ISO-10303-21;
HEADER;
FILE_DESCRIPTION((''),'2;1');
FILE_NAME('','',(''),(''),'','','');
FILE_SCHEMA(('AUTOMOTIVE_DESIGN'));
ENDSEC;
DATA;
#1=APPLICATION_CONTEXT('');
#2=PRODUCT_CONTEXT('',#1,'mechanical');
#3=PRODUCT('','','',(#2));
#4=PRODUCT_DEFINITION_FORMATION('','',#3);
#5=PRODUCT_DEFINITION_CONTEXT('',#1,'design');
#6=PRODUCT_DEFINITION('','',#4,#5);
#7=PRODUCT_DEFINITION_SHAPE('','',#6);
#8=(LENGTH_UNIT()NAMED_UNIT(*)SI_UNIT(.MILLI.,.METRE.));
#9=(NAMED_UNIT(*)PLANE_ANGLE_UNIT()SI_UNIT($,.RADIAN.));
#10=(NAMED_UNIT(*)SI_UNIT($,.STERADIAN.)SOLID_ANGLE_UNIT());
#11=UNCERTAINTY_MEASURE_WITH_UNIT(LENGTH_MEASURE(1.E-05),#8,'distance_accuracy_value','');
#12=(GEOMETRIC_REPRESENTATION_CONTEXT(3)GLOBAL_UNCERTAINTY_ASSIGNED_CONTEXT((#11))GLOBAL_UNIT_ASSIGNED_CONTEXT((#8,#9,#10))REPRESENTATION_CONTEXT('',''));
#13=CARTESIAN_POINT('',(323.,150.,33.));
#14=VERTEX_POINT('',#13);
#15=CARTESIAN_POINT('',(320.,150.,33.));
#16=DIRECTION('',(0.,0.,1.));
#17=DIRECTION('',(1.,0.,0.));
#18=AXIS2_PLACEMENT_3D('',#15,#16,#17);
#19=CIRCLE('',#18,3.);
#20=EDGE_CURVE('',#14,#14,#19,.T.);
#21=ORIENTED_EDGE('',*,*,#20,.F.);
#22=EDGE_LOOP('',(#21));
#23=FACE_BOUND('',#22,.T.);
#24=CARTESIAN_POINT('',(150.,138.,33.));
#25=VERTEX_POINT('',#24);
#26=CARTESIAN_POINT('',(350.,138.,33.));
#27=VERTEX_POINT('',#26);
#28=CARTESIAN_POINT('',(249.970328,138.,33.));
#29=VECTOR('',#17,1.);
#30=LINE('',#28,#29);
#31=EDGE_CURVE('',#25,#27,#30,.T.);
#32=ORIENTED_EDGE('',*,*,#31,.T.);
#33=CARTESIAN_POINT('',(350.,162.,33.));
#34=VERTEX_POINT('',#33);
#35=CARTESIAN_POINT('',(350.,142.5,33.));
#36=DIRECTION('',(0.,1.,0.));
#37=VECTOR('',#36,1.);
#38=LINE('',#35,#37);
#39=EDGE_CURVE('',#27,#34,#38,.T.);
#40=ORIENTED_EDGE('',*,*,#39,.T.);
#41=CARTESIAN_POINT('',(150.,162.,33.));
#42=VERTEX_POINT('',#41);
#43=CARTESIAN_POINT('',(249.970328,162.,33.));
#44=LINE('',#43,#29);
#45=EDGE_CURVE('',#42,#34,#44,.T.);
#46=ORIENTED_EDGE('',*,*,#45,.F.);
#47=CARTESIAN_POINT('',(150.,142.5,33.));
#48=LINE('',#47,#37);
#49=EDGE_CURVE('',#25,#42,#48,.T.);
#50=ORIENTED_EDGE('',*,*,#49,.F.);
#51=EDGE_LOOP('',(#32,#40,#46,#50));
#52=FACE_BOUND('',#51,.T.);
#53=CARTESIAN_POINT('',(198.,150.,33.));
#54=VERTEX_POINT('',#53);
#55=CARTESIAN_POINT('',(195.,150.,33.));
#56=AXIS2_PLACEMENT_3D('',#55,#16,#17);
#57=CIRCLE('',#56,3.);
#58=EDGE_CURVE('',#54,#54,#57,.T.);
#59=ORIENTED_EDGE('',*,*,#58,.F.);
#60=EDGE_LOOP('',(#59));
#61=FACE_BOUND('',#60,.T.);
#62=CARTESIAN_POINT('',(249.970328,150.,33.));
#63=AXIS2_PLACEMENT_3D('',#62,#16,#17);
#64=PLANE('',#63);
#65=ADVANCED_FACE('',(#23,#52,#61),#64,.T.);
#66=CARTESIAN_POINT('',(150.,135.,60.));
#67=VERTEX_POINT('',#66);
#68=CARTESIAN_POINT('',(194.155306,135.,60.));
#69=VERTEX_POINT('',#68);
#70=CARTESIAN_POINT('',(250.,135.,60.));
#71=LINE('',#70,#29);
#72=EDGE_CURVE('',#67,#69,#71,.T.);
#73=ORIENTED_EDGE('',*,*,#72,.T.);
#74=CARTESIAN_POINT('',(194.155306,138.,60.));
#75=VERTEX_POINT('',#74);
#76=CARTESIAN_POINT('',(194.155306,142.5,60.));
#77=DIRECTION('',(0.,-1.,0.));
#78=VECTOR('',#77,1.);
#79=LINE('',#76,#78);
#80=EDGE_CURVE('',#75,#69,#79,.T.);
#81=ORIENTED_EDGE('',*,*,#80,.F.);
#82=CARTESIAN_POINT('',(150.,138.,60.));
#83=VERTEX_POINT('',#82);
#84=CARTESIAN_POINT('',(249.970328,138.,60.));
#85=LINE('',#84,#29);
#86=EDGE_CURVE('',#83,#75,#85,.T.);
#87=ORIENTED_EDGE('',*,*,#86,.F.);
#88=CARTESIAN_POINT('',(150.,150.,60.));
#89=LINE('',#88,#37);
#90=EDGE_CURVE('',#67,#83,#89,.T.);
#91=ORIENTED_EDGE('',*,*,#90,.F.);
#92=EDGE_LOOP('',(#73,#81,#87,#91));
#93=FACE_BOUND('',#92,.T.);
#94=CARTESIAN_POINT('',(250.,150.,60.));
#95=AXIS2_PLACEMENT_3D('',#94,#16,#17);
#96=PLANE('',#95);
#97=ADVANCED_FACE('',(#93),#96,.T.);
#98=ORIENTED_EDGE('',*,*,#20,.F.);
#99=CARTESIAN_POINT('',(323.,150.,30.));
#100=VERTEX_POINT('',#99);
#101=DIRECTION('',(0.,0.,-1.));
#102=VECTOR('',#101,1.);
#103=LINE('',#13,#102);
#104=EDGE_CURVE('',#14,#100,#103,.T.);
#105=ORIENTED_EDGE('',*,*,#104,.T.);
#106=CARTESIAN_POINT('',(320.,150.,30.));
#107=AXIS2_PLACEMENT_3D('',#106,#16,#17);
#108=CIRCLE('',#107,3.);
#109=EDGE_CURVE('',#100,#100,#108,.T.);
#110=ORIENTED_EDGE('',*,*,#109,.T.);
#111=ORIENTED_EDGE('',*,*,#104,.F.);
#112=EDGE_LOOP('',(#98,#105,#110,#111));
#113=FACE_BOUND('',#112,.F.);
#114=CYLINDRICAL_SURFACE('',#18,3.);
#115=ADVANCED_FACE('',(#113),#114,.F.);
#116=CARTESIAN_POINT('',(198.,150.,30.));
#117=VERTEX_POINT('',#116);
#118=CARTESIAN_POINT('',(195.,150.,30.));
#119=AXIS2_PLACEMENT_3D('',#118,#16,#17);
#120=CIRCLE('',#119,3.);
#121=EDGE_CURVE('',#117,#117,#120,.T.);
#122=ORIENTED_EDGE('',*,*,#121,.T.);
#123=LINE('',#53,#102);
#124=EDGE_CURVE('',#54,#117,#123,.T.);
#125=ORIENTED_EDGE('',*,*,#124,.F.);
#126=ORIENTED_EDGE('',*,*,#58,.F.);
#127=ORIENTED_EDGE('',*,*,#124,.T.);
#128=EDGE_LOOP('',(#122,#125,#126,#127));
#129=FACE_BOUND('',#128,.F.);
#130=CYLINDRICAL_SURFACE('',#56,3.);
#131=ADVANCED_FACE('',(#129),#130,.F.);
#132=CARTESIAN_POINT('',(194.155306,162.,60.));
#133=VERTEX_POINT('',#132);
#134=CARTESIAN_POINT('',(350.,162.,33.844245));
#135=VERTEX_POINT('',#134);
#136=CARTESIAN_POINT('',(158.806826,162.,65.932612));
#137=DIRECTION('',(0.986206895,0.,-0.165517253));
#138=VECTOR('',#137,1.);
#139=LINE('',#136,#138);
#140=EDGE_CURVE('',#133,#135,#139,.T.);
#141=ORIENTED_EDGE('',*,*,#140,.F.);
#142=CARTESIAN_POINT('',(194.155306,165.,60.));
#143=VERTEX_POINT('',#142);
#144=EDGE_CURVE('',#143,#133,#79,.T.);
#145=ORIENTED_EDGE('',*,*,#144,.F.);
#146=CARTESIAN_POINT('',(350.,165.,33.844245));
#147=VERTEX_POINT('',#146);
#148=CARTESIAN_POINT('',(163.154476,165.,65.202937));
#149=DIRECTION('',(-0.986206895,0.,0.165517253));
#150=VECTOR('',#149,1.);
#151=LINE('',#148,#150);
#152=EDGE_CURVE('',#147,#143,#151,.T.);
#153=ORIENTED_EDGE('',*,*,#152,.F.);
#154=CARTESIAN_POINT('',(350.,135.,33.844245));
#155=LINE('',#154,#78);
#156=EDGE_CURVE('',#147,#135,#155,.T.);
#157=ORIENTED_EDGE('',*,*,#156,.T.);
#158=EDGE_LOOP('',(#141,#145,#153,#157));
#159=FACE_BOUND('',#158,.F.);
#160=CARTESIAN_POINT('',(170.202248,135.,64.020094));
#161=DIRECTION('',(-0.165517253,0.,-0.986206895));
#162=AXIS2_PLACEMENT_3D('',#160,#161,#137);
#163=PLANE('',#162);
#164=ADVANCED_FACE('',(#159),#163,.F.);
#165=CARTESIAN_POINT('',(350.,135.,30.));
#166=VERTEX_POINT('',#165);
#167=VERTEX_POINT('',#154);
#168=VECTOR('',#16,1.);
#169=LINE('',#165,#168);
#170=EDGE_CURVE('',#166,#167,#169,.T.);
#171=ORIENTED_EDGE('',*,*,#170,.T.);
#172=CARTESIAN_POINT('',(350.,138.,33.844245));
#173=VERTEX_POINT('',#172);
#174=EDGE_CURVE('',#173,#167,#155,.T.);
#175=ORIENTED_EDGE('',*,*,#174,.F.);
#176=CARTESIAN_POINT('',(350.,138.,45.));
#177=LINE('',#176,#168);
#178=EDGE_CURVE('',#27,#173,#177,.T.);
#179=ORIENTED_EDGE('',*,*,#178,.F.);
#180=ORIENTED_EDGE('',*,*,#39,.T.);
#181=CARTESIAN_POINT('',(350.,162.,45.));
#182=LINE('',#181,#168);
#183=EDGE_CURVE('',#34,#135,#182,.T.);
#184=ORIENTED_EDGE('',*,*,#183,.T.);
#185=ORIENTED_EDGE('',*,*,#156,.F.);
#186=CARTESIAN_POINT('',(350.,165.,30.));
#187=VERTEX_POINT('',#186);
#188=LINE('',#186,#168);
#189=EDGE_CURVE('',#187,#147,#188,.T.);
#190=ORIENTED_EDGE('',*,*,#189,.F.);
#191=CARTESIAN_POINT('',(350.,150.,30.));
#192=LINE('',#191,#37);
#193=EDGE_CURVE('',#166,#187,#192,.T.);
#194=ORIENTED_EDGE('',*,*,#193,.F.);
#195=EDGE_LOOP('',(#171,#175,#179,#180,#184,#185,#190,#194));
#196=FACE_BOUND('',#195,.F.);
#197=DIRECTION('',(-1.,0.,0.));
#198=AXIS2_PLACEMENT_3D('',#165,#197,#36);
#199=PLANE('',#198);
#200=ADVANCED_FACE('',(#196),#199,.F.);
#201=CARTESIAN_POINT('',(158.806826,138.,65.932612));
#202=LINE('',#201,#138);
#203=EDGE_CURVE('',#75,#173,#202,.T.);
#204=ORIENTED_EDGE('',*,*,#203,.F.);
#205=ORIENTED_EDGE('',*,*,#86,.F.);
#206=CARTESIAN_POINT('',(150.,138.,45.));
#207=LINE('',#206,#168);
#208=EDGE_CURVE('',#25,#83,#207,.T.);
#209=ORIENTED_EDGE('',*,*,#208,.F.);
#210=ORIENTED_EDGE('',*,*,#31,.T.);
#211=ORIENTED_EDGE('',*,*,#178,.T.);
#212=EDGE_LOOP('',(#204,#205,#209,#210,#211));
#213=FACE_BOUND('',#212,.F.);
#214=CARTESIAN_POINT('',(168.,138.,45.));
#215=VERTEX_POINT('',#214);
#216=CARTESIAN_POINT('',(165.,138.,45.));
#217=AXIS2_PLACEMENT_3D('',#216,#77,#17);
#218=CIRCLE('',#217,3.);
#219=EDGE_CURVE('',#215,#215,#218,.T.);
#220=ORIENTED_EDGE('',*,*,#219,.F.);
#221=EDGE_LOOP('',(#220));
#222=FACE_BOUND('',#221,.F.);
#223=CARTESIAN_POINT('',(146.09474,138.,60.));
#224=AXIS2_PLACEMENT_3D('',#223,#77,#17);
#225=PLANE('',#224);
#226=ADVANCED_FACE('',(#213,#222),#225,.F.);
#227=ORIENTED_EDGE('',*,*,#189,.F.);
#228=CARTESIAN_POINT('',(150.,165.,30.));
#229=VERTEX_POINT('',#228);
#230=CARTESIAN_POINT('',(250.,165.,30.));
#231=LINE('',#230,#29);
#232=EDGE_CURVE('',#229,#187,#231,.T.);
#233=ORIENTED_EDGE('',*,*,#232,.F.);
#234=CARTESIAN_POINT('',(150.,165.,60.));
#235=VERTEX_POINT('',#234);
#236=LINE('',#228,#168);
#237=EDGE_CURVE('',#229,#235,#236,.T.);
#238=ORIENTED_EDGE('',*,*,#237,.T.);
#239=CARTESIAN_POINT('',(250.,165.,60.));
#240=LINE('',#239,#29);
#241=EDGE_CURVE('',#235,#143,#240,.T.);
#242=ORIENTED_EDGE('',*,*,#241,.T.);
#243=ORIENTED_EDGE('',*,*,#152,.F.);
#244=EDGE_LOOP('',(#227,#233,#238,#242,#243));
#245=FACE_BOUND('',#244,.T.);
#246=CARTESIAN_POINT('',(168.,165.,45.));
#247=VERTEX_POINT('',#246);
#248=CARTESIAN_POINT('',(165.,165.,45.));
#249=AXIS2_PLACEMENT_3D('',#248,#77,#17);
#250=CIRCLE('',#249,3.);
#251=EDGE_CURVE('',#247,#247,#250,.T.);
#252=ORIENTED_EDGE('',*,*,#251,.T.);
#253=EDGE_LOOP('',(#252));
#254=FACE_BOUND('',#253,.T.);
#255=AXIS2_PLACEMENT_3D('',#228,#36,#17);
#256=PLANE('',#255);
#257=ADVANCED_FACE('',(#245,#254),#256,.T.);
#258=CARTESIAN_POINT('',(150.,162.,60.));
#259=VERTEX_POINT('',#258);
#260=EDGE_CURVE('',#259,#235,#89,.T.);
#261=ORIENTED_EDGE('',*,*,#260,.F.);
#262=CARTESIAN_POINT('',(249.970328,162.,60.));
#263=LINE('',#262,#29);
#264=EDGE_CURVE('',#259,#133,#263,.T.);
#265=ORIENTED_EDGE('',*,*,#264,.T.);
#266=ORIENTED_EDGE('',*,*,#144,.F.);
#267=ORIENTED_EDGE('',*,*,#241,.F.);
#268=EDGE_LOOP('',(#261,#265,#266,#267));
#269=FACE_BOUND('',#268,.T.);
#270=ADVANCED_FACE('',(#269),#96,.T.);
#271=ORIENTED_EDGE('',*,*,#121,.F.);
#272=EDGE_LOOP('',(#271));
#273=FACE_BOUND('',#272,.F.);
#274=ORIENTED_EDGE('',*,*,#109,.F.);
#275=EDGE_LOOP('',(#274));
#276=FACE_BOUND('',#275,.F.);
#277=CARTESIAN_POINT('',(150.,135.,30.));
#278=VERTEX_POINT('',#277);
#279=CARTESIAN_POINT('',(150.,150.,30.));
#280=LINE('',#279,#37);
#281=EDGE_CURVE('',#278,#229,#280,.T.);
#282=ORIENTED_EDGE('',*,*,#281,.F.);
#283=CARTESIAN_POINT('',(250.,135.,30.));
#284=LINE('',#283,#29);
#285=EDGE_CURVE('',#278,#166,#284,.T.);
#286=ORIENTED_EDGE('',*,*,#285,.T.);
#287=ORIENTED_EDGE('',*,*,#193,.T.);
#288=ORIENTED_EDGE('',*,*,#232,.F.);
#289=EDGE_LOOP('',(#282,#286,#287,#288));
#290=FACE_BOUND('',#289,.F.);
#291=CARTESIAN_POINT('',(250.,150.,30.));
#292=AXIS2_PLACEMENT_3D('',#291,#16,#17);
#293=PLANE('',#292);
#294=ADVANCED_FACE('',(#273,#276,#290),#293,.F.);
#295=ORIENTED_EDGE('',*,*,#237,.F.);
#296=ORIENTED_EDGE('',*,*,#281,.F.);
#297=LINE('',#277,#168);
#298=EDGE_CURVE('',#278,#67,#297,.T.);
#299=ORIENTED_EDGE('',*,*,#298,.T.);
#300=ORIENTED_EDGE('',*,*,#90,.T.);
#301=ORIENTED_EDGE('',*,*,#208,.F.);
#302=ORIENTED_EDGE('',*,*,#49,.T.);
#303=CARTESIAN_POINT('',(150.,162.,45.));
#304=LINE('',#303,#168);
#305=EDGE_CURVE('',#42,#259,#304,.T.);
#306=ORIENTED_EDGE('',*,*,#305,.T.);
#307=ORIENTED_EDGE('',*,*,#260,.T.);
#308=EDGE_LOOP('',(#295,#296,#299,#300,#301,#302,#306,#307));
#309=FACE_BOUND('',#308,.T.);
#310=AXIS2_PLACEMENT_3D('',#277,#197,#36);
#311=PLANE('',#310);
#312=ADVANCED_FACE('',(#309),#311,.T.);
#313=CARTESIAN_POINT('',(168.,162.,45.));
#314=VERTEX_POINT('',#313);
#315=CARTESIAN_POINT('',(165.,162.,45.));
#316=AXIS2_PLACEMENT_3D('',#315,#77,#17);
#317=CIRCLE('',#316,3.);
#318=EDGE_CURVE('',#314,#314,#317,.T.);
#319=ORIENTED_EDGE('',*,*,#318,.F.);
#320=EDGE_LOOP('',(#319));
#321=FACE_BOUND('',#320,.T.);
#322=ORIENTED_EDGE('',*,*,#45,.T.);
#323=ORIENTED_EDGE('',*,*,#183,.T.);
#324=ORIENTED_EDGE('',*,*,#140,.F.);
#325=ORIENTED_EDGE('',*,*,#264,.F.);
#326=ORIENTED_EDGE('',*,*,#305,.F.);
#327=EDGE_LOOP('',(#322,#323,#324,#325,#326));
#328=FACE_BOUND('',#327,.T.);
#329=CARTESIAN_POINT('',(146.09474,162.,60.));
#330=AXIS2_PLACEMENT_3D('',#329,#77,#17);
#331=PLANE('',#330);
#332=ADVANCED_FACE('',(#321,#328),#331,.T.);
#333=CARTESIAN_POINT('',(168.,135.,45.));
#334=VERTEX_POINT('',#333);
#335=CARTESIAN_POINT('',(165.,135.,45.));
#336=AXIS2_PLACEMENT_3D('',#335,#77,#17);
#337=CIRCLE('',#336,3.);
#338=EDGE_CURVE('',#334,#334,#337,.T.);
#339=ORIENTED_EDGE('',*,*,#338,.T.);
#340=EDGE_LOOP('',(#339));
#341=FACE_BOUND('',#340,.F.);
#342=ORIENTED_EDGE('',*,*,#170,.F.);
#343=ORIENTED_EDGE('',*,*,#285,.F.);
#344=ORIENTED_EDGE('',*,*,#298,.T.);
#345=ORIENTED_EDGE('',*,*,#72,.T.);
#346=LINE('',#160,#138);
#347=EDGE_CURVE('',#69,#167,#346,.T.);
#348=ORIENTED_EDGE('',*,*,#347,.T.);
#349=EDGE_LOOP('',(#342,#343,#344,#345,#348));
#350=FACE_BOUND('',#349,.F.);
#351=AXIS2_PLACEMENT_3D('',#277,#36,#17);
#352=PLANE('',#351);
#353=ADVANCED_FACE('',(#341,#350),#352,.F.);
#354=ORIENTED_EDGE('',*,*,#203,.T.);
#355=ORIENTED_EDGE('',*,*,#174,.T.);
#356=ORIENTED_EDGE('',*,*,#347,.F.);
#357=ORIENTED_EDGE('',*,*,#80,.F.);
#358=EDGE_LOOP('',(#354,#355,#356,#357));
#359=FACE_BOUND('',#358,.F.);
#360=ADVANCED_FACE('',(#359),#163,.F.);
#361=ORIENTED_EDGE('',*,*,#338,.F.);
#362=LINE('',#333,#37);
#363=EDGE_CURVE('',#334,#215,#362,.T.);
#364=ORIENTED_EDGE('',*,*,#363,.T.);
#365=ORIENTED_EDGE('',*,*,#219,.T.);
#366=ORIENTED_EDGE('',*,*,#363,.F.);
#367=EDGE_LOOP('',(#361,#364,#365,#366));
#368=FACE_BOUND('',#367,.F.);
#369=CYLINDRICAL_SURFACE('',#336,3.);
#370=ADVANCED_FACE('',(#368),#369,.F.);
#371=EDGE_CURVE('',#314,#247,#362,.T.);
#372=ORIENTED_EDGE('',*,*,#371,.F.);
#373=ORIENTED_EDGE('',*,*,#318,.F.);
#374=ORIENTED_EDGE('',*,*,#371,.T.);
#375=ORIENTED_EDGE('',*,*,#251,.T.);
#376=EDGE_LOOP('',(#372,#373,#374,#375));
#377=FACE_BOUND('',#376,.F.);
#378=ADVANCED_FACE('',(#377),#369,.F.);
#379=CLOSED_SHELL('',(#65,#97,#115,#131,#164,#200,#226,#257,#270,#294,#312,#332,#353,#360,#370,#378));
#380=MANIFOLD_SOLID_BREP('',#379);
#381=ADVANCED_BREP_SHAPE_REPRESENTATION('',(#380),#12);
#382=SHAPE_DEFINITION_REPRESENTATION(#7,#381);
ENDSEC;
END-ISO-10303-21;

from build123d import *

# Parameters (mm, degrees)
BOX001_W        = 200
BOX001_H        = 30
BOX001_DEPTH    = 30
SKETCH003_W     = 207.751177
SKETCH003_H     = 24
POCKET005_DEPTH = 27
POCKET001_DEPTH = 50
SKETCH006_R     = 3
POCKET003_DEPTH = 50
SKETCH004_R     = 3
POCKET004_DEPTH = 5


with BuildPart() as part:
    # Box001 → Box001 (join)
    with BuildSketch(Plane.XY):
        with Locations((100, 15)):
            Rectangle(BOX001_W, BOX001_H)
    extrude(amount=BOX001_DEPTH)

    # Sketch003 (on Face6 of Box001) → Pocket005 (cut)
    with BuildSketch(Plane.XY.offset(30)):
        with Locations((99.970328, 15)):
            Rectangle(SKETCH003_W, SKETCH003_H)
    extrude(amount=-POCKET005_DEPTH, mode=Mode.SUBTRACT)

    # Sketch005 (on Face9 of Pocket005) → Pocket001 (cut)
    with BuildSketch(Plane.XZ):
        Polygon((20.202248, 34.020094), (202.686674, 3.393335), (216.979173, 34.020094), align=None)
    extrude(amount=-POCKET001_DEPTH, mode=Mode.SUBTRACT)

    # Sketch006 → Pocket003 (cut)
    with BuildSketch(Plane.XZ):
        with Locations((15, 15)):
            Circle(SKETCH006_R)
    extrude(amount=-POCKET003_DEPTH, mode=Mode.SUBTRACT)

    # Sketch004 (on Face4 of Pocket001) → Pocket004 (cut)
    with BuildSketch(Plane.XY.offset(3)):
        with Locations((45, 15)):
            Circle(SKETCH004_R)
        with Locations((170, 15)):
            Circle(SKETCH004_R)
    extrude(amount=-POCKET004_DEPTH, mode=Mode.SUBTRACT)


with BuildPart() as part_1:
    # Body003 placement: moved
    add(part.part.moved(Location((150, 135, 30))))


solid = part_1.part
